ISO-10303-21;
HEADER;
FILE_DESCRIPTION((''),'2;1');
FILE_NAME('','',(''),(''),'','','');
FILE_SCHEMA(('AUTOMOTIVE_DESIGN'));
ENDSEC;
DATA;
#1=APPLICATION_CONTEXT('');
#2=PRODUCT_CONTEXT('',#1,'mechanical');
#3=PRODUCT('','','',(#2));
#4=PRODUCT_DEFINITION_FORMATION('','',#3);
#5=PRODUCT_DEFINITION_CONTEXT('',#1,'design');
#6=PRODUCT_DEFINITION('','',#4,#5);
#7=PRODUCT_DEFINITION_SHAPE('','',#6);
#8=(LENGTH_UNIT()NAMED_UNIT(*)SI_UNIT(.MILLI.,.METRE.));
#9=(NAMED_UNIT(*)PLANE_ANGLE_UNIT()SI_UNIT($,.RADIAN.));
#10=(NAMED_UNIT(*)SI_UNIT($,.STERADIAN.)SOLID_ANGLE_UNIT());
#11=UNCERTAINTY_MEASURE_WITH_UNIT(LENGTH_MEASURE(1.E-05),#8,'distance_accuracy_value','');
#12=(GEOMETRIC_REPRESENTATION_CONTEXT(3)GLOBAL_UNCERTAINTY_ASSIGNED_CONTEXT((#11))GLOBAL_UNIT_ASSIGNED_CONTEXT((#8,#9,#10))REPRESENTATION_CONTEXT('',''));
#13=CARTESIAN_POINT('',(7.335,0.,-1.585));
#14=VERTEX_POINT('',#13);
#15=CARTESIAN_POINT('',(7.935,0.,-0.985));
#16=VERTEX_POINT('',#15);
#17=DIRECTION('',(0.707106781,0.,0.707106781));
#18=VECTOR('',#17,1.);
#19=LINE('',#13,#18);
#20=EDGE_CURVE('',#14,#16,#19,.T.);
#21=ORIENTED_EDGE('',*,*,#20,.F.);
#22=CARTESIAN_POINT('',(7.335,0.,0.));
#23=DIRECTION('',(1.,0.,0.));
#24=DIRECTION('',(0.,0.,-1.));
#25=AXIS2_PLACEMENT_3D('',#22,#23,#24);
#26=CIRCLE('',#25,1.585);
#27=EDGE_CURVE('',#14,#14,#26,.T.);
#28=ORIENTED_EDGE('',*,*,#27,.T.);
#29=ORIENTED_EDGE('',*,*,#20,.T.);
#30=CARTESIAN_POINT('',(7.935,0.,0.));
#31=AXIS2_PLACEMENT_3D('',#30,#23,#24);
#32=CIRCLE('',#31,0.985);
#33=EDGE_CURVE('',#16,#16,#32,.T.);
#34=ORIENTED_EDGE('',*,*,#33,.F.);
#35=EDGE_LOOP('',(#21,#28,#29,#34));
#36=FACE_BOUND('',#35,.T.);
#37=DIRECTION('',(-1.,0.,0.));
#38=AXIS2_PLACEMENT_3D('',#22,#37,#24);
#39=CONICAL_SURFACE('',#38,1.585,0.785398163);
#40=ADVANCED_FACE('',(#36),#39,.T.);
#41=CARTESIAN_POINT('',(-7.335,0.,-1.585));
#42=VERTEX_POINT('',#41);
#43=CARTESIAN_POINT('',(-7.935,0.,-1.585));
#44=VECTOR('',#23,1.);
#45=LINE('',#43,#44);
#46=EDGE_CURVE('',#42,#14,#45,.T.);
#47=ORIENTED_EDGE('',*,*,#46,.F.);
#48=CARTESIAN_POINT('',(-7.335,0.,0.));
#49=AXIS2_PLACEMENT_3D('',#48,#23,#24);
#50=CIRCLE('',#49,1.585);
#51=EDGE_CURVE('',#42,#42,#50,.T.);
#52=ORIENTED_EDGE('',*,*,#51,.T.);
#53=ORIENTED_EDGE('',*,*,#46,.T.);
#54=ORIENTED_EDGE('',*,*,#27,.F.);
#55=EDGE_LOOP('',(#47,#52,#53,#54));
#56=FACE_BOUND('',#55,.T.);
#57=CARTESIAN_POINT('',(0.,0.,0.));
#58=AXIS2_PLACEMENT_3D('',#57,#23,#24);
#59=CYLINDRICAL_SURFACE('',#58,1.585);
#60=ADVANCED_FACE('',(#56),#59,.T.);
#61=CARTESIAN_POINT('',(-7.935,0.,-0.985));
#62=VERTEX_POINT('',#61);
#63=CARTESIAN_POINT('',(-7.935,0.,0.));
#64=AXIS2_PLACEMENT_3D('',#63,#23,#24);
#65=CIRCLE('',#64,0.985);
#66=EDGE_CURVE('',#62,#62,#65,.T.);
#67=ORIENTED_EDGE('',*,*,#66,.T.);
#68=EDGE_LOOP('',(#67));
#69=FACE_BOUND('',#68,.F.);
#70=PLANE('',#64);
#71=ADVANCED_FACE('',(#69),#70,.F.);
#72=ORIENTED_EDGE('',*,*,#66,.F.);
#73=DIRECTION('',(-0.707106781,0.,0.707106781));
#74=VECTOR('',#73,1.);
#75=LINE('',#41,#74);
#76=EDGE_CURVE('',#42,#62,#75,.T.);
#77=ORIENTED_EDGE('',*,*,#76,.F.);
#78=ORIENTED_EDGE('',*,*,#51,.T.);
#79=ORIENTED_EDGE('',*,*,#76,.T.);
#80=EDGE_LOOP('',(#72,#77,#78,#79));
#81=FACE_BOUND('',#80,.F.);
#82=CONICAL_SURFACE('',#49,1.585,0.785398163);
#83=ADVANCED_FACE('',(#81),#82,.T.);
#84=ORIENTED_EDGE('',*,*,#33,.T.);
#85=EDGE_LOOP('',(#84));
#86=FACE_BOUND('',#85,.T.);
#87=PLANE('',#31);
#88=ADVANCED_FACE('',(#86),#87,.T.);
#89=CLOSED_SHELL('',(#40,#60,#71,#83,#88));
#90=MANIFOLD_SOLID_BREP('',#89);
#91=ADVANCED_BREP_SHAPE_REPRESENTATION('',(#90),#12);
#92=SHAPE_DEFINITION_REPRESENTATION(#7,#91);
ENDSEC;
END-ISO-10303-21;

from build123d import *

# Parameters (mm, degrees)
SKETCH1_R           = 1.585
BOSS_EXTRUDE1_DEPTH = 7.935
CHAMFER1_SIZE       = 0.6


with BuildPart() as part:
    # Sketch1 → Boss-Extrude1 (new body, symmetric)
    with BuildSketch(Plane(origin=(0, 0, 0), x_dir=(0, 0, -1), z_dir=(1, 0, 0))):
        Circle(SKETCH1_R)
    extrude(amount=BOSS_EXTRUDE1_DEPTH, both=True)

    # Chamfer1
    chamfer1_edges = [part.edges().sort_by_distance(p)[0] for p in [
        (-7.935, 0, 1.585),
        (7.935, 0, 1.585),
    ]]
    chamfer(chamfer1_edges, length=CHAMFER1_SIZE)


solid = part.part
